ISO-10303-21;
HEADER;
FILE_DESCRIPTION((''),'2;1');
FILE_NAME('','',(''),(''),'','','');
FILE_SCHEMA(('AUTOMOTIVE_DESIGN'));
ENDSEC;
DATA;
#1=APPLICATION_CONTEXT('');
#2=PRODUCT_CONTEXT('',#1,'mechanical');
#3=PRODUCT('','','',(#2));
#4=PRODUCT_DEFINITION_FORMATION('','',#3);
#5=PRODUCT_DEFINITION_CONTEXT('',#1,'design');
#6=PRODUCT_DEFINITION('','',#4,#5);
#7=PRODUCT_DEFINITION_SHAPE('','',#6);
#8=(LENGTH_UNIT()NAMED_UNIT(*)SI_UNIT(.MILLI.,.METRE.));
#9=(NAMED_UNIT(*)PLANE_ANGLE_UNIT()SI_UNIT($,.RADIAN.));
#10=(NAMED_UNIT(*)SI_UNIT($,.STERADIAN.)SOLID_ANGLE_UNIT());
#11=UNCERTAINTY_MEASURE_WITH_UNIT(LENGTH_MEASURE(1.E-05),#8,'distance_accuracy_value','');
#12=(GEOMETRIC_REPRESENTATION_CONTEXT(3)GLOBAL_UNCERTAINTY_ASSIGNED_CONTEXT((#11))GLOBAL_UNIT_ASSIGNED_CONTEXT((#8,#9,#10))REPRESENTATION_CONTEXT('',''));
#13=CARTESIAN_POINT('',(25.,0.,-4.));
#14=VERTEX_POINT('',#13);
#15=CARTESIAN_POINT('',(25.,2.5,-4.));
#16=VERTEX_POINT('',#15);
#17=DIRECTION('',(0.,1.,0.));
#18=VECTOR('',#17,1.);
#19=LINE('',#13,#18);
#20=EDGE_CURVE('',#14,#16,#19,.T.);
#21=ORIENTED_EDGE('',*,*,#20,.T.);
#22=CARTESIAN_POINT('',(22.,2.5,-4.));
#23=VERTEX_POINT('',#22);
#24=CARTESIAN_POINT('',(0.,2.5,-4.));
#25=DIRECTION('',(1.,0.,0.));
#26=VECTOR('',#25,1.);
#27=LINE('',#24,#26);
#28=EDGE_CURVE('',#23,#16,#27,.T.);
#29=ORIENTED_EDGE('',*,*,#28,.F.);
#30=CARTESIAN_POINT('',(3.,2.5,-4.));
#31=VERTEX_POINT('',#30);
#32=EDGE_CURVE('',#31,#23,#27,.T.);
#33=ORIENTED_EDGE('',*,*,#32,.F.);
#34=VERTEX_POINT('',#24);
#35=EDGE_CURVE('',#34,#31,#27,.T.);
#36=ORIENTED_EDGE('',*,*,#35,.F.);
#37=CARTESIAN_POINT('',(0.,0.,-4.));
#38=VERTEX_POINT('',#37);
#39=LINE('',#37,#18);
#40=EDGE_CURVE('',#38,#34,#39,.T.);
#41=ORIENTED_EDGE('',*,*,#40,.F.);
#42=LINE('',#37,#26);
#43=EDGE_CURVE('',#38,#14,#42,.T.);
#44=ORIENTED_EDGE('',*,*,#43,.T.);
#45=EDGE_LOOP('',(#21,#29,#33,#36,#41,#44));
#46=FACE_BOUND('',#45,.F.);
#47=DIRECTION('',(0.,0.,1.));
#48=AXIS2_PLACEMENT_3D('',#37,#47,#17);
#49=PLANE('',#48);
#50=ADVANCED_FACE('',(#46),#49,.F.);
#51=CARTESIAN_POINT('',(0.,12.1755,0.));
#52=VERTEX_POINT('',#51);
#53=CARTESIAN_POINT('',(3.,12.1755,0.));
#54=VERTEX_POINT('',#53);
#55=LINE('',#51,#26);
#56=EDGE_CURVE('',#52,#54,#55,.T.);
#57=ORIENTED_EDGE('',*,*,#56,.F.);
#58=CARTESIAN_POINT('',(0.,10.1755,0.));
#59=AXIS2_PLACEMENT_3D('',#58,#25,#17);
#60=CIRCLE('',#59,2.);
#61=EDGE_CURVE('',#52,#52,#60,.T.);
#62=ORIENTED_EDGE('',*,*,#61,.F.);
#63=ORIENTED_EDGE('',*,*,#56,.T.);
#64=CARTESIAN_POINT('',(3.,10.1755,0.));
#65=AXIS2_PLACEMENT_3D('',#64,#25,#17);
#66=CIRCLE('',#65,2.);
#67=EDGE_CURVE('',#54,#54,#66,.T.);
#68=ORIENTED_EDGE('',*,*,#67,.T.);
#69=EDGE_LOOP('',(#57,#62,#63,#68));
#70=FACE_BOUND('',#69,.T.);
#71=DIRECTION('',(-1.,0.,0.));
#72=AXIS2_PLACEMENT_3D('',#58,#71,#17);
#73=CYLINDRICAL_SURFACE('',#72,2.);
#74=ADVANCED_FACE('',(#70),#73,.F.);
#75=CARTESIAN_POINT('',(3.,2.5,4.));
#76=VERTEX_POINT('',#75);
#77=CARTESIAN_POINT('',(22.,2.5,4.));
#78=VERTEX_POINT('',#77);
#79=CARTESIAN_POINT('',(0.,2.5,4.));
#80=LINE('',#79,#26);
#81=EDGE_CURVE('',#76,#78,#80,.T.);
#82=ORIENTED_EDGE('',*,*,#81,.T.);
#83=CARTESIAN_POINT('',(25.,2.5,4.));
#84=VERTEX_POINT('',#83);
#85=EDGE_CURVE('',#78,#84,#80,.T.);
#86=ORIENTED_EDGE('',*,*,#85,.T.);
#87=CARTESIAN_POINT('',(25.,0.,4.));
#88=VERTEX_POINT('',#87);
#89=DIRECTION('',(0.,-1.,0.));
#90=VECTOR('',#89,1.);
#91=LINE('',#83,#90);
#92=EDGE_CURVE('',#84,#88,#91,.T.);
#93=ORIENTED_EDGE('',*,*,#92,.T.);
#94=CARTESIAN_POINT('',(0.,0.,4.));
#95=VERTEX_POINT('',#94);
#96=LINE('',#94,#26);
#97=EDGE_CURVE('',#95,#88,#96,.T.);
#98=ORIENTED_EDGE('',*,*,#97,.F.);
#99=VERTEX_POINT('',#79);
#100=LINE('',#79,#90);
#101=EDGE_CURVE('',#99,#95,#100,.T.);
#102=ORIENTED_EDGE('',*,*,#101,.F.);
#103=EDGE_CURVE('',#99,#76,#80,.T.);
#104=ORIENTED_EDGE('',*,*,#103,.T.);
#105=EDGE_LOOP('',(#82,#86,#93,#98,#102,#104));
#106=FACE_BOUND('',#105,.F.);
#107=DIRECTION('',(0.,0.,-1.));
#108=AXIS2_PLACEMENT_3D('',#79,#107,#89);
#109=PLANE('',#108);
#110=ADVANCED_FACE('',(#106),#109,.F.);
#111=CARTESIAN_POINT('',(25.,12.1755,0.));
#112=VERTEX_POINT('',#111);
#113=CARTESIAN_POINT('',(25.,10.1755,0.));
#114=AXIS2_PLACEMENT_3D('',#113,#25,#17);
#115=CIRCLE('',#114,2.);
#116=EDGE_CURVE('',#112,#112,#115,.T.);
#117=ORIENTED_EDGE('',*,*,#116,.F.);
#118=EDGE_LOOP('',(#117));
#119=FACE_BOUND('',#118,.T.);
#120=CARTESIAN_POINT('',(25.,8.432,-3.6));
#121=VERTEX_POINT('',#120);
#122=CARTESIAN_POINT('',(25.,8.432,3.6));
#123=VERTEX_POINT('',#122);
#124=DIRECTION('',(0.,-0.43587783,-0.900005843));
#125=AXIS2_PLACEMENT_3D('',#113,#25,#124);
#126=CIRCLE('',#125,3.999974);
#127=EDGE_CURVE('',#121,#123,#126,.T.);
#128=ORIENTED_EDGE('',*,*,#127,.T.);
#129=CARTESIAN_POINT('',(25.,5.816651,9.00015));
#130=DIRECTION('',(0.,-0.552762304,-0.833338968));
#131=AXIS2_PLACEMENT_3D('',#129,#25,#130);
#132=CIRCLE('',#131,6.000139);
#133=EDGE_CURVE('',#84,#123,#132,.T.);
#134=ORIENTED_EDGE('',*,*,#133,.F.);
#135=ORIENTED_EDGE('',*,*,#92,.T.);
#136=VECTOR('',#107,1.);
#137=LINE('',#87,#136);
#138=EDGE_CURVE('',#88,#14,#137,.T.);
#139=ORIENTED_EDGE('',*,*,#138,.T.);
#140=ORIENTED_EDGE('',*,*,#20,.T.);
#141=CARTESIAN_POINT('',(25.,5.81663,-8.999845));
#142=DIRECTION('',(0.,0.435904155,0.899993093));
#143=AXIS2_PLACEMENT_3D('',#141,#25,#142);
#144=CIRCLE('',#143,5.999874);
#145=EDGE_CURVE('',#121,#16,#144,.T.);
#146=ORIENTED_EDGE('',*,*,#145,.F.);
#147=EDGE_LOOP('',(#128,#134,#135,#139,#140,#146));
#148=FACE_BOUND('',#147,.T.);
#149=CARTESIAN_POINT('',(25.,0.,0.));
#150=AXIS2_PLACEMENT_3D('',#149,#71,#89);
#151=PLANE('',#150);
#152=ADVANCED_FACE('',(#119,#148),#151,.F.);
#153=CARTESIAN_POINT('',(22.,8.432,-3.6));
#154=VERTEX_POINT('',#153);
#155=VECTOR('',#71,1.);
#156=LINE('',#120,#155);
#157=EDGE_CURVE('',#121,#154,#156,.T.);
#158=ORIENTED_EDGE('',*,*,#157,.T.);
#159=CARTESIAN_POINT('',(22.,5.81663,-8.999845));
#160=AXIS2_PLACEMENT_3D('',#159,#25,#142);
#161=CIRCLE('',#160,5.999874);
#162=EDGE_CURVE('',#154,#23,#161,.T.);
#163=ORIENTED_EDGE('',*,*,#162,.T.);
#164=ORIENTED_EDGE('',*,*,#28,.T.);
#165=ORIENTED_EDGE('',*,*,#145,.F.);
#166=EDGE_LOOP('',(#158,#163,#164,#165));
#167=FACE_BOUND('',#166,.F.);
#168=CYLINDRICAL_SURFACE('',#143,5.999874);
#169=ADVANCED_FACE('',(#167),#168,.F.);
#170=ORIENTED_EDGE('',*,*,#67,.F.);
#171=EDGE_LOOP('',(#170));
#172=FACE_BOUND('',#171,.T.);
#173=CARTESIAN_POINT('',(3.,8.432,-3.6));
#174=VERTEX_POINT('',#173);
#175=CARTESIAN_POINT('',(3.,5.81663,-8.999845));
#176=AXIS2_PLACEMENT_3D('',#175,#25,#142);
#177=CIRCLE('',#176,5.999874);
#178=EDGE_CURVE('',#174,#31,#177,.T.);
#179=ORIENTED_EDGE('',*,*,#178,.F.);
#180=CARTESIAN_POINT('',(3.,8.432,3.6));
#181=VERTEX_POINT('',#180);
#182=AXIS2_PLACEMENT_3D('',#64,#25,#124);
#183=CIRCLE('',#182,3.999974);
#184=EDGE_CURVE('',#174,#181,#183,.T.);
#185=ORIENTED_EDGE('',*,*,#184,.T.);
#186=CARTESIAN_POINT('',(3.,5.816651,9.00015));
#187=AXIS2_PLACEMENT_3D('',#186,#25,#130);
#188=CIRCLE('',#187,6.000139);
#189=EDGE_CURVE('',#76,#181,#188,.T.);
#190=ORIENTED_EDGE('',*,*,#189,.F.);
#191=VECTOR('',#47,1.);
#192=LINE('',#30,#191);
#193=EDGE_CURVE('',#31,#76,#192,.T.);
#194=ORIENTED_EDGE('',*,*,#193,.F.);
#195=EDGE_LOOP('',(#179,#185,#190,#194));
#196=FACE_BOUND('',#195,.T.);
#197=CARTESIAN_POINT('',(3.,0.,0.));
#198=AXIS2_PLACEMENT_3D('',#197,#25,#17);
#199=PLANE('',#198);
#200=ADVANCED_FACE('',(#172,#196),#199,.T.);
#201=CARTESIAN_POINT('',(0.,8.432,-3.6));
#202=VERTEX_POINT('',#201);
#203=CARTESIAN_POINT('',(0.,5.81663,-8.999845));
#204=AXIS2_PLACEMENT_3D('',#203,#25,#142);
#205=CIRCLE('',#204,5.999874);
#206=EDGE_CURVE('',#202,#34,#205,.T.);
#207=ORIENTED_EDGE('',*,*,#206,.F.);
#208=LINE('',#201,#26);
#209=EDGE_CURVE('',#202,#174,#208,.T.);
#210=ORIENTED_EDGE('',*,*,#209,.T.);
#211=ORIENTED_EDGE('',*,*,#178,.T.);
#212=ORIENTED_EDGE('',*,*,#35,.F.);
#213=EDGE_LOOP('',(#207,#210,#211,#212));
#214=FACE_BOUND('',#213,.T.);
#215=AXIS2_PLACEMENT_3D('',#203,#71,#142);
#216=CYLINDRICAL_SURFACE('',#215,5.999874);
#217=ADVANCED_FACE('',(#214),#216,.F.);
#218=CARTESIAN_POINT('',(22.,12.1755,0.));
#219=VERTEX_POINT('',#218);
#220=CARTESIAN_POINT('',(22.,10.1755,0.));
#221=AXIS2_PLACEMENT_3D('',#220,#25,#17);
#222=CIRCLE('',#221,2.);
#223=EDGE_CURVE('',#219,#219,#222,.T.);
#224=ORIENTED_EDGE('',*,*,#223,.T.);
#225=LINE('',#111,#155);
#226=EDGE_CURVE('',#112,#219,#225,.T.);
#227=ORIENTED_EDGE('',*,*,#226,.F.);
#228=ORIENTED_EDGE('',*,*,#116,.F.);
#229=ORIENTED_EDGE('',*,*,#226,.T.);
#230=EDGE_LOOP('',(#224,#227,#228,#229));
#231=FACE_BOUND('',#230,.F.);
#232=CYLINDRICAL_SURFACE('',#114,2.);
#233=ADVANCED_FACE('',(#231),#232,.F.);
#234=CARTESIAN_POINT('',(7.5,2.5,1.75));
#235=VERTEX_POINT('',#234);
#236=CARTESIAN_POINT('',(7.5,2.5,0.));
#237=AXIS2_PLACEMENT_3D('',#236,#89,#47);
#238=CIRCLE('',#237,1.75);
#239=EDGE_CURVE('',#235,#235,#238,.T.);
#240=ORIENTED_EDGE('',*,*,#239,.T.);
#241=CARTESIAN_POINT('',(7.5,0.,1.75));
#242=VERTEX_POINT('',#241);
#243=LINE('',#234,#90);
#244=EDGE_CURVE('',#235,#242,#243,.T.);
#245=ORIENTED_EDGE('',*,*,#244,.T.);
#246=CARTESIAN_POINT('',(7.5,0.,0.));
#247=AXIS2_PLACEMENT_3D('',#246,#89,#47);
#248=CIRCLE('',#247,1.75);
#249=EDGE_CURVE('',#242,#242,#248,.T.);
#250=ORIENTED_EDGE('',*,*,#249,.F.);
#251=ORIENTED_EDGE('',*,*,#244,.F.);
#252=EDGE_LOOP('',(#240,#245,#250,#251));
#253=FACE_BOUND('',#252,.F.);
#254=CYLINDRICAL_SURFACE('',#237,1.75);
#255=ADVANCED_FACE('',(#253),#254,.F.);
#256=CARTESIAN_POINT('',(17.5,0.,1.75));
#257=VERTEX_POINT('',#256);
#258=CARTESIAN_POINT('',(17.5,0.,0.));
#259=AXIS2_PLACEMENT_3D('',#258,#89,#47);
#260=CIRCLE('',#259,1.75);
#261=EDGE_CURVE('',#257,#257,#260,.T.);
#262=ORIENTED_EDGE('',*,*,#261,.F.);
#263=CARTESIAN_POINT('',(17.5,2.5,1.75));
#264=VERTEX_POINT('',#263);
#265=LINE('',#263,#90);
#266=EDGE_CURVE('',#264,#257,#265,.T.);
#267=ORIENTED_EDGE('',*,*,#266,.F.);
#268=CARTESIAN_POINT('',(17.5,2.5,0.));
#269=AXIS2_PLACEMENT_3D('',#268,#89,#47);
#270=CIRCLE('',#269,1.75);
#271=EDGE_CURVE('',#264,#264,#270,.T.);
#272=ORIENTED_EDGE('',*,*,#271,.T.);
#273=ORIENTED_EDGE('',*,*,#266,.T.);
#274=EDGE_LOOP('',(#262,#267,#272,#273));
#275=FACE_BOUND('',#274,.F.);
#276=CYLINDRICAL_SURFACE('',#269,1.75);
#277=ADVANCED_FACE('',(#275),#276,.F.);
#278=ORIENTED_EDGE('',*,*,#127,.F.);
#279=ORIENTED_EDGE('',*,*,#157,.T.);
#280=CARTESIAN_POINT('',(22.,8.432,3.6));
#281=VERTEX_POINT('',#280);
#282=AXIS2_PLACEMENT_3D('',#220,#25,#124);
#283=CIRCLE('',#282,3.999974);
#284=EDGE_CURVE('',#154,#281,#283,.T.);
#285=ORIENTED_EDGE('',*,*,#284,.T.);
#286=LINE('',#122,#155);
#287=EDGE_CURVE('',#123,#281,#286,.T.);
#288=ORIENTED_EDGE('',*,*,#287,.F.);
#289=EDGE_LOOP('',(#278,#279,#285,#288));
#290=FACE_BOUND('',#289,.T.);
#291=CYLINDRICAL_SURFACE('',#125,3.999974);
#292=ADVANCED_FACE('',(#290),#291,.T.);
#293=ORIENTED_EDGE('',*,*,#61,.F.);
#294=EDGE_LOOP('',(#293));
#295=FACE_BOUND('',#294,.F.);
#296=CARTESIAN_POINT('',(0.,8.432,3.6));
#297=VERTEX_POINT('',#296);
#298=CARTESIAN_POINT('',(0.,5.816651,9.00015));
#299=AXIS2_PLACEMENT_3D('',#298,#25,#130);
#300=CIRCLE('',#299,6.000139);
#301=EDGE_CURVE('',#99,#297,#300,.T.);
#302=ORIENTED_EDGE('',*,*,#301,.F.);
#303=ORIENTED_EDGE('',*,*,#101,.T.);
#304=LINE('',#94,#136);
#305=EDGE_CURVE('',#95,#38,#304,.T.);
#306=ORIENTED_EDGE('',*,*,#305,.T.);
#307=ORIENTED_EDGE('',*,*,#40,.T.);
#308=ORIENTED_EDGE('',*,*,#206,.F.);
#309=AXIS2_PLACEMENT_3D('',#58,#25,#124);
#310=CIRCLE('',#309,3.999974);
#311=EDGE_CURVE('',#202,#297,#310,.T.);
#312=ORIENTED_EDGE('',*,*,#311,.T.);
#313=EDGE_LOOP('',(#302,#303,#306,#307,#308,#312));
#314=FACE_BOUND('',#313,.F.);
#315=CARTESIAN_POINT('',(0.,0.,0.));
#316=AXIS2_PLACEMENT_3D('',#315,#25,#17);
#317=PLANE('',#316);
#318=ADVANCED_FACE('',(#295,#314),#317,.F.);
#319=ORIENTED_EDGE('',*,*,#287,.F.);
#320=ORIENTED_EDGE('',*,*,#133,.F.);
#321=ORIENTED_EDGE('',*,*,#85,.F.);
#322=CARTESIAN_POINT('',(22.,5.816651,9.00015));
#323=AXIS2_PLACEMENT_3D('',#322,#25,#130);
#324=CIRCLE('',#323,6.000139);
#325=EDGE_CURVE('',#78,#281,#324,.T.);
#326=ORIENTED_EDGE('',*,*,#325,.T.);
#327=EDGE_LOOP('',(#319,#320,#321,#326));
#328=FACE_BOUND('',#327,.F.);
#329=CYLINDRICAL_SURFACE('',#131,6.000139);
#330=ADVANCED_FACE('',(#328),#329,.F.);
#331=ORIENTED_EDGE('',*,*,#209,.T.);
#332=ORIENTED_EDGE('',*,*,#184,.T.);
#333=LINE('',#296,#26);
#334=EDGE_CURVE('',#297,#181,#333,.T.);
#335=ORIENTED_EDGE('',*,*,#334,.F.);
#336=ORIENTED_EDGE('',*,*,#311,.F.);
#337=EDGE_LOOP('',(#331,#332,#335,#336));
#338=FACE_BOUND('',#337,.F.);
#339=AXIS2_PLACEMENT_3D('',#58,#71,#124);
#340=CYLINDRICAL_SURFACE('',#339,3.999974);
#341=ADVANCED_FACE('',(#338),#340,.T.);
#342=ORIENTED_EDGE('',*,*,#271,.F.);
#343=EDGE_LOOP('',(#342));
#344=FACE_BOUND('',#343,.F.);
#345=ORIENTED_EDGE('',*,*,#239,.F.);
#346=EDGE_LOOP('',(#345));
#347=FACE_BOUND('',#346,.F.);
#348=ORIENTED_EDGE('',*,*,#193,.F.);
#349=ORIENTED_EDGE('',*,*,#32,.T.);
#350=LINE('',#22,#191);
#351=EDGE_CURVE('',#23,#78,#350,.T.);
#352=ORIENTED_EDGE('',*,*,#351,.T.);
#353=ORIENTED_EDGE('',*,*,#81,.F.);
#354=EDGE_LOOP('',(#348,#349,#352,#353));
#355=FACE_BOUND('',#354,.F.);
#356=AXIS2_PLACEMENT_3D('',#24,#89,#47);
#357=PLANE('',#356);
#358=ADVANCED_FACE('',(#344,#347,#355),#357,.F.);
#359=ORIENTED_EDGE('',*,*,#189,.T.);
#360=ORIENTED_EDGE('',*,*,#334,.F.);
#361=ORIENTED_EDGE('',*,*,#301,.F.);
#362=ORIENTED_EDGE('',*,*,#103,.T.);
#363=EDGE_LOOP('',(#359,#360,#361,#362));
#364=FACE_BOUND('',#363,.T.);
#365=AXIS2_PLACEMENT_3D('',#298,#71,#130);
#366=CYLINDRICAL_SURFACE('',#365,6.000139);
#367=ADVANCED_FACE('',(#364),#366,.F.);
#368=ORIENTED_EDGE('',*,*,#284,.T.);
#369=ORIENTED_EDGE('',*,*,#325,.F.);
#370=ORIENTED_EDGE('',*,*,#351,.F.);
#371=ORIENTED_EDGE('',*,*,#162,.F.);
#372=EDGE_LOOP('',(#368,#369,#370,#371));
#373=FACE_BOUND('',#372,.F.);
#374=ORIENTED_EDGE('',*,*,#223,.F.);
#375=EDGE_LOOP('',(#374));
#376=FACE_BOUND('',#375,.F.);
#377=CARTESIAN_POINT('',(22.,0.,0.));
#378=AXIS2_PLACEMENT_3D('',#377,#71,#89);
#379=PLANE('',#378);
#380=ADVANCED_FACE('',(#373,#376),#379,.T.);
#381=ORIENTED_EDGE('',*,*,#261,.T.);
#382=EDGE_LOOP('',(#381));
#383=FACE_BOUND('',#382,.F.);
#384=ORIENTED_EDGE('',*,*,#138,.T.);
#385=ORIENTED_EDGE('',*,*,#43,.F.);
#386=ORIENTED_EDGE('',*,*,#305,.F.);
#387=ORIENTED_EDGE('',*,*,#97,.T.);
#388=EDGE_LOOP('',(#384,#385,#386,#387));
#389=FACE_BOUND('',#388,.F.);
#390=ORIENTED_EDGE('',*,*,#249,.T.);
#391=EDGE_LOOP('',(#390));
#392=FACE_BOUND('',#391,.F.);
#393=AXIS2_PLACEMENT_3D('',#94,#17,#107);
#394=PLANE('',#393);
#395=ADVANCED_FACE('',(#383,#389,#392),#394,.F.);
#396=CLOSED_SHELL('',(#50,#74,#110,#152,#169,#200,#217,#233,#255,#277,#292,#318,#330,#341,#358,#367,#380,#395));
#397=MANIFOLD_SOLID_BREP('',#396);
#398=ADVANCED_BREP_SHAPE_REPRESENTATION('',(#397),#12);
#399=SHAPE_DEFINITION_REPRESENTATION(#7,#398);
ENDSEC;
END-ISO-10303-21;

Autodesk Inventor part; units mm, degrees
ref_plane "XZ Plane" through (0, 0, 0) normal (0, 1, 0) x (-1, 0, 0)
ref_plane "XY Plane" through (0, 0, 0) normal (0, 0, 1) x (1, 0, 0)
sketch "Skizze1" plane through (0, 0, 0) normal (1, 0, 0) x (0, 1, 0)
  line L0 (0, 0) -> (13, 0) construction
  line L1 (0, 0) -> (13, 0) construction
  line L2 (2.5, 4) -> (0, 4)
  line L3 (0, 4) -> (0, -4)
  line L4 (0, -4) -> (2.5, -4)
  line L5 (2.5, -4) -> (2.5, 4)
  arc A0 (2.5, 4) -> (8.432, 3.6) centre (5.8166, 9) ccw
  arc A1 (8.432, -3.6) -> (2.5, -4) centre (5.8166, -9) ccw
  arc A2 (8.432, -3.6) -> (8.432, 3.6) centre (10.1755, 0) ccw
  circle A3 centre (10.1755, 0) radius 2
  dimension "d7" = 13
  dimension "d9" = 2.5
  dimension "d10" = 12
  dimension "d11" = 12
  dimension "d15" = 8
  dimension "d16" = 18
  dimension "d21" = 4
extrude "Extrusion1" add sketch "Skizze1" along normal blind 25 contours L5 L4 L3 L2
extrude "Extrusion2" add sketch "Skizze1" along normal blind 3 contours A0 A2 A1 L5
ref_plane "Arbeitsebene1" through (12.5, 0, 0) normal (1, 0, 0) x (0, 1, 0)
mirror "Spiegeln1" about plane through (12.5, 0, 0) normal (1, 0, 0) of "Extrusion2"
sketch "Skizze2" plane through (3, 2.5, 4) normal (0, 1, 0) x (1, 0, 0)
  line L0 (-3, 0) -> (-3, 8) projected
  line L1 (0, 0) -> (0, 8) projected
  point P0 (-3, 4)
  point P1 (4.5, 4)
  point P2 (14.5, 4)
  point P3 (-3, 4)
  point P4 (-3, 7.6)
  point P5 (-3, 0.4)
  point P6 (0, 7.6)
  point P7 (0, 0.4)
  dimension "d30" = 10
  dimension "d31" = 4.5
hole "Bohrung1" at (7.5, 2.5, 0) at (17.5, 2.5, 0) direction (0, -1, 0) diameter 3.5 depth 2.5
properties part number "kipphebellagerbock"
